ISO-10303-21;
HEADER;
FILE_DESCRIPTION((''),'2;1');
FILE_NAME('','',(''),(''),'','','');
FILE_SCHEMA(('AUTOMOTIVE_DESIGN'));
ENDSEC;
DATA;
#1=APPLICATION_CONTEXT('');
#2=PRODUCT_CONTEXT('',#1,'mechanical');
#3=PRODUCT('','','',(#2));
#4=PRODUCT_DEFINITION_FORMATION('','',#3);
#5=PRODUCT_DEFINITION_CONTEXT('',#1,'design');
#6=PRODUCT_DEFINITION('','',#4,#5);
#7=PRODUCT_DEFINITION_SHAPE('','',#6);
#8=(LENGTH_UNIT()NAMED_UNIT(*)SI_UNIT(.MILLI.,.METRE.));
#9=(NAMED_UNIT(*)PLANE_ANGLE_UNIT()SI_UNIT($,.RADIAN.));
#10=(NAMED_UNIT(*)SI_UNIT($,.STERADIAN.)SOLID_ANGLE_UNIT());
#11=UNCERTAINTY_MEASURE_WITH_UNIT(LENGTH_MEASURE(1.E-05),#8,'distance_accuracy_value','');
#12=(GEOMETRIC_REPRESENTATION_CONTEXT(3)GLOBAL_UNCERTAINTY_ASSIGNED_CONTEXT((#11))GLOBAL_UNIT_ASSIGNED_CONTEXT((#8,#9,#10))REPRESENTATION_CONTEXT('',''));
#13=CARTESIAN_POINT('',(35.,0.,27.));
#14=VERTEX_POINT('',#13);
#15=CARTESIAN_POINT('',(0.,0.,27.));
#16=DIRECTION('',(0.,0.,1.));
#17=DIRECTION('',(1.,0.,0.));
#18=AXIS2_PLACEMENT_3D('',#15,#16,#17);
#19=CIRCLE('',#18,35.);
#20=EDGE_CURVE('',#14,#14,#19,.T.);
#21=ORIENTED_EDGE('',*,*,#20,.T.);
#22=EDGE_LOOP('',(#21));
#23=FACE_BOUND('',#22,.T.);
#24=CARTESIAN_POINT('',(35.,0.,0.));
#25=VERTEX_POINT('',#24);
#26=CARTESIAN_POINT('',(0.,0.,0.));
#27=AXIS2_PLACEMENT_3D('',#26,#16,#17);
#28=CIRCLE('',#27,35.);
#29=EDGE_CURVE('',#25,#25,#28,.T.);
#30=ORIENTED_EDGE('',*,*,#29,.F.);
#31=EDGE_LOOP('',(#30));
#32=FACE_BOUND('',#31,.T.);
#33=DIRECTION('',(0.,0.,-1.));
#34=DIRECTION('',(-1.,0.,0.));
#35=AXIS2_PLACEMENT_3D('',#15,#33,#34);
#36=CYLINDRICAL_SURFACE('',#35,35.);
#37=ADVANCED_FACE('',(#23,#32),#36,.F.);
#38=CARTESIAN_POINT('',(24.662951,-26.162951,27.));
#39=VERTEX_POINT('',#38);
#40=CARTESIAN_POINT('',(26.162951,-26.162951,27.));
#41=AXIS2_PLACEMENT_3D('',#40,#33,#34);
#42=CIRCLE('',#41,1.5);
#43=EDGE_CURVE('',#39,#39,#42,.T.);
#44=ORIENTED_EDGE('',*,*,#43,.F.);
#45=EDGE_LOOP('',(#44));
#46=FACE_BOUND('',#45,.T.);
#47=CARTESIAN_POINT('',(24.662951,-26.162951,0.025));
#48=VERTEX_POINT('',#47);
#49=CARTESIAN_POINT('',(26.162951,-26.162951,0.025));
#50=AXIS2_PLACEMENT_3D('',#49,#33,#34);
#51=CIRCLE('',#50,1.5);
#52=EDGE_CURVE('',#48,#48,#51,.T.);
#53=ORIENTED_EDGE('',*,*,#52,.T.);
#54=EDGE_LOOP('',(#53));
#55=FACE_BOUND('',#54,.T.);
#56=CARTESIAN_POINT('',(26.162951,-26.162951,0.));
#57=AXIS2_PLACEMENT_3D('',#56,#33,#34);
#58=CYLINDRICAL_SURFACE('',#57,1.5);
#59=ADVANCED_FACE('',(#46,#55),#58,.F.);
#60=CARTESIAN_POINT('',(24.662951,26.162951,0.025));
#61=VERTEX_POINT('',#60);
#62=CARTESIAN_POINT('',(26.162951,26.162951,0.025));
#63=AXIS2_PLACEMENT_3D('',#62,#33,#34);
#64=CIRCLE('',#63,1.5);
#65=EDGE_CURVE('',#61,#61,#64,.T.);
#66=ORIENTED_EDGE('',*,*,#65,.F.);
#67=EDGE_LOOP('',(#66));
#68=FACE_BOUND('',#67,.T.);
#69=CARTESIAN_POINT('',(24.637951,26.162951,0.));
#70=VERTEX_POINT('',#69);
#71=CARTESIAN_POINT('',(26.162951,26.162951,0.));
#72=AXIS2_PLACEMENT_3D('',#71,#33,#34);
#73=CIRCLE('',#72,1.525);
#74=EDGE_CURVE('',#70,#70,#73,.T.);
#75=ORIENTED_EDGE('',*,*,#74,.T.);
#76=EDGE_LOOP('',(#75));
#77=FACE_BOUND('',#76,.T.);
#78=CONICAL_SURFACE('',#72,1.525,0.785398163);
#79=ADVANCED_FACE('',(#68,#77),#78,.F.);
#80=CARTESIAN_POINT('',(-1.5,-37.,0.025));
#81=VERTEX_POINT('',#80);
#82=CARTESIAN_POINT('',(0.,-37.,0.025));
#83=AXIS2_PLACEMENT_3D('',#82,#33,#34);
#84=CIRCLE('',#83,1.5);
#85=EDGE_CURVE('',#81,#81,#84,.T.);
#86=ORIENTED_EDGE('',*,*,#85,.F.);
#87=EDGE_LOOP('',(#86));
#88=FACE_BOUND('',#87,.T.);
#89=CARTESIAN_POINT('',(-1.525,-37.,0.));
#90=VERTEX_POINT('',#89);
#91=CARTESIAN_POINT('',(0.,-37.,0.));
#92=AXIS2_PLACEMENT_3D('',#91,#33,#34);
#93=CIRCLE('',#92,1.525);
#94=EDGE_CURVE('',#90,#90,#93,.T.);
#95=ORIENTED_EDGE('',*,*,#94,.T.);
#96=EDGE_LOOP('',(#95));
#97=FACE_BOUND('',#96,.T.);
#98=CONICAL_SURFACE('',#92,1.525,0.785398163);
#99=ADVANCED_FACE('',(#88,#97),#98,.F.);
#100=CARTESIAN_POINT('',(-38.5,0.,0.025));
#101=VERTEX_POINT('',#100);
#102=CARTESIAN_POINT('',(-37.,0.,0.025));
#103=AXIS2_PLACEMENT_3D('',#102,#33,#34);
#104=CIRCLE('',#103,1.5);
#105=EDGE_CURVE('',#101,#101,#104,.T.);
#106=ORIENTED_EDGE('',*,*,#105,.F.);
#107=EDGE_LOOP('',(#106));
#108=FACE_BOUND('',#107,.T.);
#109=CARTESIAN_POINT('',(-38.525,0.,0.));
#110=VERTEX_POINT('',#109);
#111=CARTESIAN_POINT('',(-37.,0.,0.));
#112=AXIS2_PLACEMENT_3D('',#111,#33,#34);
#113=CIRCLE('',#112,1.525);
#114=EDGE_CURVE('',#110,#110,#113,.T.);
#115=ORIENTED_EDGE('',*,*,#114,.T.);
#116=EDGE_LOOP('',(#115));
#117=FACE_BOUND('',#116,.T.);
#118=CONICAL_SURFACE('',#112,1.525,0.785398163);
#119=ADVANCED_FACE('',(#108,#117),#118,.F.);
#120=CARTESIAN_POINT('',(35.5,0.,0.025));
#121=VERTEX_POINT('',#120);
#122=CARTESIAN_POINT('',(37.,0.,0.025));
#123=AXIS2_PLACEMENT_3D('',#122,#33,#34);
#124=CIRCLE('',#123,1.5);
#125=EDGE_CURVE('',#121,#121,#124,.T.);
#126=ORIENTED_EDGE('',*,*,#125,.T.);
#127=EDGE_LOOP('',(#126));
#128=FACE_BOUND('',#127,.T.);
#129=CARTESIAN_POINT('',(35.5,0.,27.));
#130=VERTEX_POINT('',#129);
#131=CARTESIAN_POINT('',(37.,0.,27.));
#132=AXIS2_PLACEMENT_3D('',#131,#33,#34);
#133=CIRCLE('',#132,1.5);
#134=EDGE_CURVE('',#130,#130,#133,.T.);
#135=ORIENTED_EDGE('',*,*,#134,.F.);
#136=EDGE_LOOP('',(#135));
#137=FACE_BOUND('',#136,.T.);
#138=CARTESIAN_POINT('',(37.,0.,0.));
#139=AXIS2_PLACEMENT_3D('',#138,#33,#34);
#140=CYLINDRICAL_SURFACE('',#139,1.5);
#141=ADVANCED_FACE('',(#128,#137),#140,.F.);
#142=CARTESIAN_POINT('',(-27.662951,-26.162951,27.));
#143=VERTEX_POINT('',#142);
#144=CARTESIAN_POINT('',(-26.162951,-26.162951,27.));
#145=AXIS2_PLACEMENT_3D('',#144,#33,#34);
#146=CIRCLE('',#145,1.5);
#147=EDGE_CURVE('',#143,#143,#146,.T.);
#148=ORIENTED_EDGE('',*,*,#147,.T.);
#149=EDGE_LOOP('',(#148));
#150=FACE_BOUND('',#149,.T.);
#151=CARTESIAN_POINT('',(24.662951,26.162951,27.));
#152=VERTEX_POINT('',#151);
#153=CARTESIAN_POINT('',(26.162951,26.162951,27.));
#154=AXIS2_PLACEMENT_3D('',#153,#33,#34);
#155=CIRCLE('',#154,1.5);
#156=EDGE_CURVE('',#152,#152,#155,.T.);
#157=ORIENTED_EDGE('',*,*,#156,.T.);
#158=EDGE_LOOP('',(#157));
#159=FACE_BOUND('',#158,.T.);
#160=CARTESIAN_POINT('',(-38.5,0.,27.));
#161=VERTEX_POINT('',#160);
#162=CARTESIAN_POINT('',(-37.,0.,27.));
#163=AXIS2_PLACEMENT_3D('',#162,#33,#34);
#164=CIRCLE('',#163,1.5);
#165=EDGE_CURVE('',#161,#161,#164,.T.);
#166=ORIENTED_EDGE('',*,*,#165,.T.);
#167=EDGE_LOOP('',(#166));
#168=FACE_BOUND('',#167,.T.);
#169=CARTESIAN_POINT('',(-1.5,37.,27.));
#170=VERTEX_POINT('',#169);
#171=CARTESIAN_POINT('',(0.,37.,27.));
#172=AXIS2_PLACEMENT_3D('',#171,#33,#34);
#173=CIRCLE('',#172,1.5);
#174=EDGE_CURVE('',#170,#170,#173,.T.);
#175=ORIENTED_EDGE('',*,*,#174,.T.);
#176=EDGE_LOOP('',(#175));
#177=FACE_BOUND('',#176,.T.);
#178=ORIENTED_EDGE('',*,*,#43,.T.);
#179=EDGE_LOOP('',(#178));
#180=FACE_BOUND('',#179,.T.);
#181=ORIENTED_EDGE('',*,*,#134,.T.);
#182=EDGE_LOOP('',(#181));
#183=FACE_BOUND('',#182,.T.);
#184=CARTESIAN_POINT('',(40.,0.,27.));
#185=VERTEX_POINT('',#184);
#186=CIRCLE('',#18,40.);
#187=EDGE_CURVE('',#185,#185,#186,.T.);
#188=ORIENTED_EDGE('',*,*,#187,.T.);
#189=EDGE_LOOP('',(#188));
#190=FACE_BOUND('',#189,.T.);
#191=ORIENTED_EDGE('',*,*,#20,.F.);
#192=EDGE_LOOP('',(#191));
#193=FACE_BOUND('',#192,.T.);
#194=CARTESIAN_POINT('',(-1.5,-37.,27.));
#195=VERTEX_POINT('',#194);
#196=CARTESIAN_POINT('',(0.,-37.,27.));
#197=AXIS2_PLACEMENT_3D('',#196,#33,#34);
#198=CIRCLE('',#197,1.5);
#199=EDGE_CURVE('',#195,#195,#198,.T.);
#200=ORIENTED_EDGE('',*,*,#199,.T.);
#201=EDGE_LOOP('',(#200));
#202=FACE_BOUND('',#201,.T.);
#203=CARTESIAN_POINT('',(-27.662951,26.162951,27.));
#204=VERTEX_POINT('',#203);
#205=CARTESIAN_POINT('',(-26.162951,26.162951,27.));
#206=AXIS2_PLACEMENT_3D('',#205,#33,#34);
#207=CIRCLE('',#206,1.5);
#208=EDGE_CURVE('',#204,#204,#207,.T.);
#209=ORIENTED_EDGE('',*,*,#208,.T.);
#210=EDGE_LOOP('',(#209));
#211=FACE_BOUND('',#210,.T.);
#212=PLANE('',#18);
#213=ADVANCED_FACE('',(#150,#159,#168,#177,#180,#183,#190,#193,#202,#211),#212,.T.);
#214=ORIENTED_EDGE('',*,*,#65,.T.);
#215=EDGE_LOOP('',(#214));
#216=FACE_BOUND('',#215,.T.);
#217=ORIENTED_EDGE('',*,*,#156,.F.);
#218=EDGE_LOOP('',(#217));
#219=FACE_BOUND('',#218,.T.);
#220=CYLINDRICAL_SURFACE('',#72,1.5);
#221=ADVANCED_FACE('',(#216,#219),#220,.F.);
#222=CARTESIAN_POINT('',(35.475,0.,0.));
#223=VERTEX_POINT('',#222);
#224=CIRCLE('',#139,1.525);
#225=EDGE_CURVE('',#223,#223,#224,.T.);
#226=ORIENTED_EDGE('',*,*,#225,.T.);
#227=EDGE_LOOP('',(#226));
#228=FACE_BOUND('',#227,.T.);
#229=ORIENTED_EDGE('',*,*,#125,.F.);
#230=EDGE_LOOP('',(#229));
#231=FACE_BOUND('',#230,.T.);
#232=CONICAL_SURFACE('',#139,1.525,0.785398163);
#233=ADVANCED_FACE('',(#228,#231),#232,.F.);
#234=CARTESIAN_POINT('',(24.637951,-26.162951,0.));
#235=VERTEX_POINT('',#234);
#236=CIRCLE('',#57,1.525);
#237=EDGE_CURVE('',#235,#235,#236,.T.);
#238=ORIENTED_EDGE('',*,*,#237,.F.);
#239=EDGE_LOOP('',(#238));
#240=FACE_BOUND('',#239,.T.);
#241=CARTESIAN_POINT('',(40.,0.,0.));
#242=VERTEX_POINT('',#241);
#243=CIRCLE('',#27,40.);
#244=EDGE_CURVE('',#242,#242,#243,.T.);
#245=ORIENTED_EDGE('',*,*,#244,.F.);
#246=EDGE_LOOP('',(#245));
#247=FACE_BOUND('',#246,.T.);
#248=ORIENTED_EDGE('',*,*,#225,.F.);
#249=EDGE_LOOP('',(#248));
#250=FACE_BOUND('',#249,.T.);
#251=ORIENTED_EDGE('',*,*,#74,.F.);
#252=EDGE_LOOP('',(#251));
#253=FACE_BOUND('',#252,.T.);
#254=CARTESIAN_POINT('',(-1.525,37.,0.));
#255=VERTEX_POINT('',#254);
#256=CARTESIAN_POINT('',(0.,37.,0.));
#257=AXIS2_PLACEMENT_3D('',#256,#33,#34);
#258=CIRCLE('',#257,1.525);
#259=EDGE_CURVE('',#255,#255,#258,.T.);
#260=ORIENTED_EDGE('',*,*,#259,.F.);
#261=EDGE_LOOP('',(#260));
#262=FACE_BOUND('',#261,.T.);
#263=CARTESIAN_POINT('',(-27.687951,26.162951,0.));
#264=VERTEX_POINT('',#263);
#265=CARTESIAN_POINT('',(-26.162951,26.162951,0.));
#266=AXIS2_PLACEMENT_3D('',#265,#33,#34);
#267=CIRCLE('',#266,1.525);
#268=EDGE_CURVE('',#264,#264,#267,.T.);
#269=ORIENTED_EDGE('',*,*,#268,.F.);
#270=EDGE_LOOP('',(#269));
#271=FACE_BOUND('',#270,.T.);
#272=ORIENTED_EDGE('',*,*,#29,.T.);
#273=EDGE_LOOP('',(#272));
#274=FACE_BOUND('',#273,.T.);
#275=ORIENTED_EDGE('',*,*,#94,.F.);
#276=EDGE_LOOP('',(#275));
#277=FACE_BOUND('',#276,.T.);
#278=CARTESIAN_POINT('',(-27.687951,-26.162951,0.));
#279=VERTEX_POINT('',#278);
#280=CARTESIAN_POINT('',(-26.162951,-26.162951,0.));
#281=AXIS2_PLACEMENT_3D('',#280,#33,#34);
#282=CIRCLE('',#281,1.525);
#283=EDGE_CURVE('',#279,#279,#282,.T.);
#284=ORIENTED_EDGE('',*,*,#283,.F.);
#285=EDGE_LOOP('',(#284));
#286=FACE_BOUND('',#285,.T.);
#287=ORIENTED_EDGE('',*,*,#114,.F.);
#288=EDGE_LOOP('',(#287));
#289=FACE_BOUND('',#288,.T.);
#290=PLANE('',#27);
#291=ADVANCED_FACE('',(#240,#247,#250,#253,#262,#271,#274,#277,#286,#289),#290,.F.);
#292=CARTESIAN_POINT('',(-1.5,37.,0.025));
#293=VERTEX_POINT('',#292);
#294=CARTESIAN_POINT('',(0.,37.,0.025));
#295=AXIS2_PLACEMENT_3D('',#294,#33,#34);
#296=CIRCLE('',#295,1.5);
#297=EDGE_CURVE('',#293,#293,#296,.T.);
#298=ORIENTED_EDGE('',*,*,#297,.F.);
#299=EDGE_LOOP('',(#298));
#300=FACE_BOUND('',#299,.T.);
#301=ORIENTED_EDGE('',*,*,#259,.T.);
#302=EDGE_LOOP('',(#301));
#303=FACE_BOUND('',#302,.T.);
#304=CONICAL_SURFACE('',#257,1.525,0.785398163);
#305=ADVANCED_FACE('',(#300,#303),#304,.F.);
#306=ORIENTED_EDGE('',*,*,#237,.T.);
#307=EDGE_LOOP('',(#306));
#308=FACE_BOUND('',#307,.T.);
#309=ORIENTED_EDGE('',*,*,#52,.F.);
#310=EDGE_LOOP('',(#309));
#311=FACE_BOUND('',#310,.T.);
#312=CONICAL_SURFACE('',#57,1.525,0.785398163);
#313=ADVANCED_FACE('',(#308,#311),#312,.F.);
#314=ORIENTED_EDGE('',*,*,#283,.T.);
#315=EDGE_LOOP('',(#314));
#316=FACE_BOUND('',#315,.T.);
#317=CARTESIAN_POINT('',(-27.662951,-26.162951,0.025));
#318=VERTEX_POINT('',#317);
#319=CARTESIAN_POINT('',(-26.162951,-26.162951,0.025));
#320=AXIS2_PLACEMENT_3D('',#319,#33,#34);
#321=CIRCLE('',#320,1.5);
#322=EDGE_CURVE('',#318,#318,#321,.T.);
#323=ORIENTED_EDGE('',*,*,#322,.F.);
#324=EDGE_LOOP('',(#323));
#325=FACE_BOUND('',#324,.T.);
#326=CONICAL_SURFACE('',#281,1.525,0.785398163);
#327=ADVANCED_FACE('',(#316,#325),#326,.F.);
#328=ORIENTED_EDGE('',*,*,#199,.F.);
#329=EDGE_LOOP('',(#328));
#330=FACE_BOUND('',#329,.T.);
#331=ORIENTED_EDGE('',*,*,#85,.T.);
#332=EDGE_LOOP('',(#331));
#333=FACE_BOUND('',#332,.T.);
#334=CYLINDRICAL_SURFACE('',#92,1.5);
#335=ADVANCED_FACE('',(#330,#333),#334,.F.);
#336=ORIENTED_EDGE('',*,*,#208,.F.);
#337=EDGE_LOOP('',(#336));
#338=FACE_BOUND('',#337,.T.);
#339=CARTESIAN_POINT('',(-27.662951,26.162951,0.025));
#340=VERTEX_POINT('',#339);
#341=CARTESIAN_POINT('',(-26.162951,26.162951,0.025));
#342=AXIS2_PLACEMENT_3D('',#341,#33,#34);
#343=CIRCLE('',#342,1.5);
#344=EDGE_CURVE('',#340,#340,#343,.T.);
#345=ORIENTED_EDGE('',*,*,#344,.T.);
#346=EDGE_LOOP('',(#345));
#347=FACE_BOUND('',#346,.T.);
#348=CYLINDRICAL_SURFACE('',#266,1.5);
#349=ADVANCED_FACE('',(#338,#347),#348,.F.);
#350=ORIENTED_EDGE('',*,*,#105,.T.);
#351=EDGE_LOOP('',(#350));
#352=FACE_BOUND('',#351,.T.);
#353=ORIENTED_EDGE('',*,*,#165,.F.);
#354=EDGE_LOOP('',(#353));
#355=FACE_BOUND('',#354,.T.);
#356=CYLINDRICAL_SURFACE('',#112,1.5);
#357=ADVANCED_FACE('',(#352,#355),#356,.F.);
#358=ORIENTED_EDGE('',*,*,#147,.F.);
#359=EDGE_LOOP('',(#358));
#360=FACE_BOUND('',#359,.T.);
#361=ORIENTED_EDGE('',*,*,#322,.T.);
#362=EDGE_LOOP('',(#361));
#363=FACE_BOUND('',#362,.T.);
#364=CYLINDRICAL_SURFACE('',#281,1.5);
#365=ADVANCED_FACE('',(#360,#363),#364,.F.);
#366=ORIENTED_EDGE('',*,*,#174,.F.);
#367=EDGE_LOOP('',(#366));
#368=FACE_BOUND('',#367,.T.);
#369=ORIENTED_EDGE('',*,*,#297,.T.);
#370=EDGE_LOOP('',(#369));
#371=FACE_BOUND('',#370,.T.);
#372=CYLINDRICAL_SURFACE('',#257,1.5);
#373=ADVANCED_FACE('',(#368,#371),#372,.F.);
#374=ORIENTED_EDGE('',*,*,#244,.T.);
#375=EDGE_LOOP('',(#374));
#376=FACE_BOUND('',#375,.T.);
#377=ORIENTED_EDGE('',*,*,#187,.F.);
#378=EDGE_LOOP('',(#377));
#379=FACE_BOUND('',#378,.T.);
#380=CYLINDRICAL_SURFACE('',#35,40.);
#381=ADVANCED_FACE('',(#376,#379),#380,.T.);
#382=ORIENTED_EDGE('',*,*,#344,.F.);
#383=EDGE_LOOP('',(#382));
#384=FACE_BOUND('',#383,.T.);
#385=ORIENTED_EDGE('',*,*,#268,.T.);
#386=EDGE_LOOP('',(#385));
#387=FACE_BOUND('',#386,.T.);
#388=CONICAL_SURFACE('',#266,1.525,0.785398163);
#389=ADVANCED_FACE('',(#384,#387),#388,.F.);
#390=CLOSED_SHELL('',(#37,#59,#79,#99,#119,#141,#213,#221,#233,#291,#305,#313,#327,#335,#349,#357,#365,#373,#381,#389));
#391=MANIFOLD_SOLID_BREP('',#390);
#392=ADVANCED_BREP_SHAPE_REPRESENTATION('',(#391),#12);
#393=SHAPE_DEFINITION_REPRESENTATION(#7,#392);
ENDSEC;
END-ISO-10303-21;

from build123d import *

# Parameters (mm, degrees)
SKETCH1_R                       = 40
SKETCH1_R_2                     = 35
BOSS_EXTRUDE1_DEPTH             = 27
F_3_0MM_DOWEL_HOLE1_D           = 3
F_3_0MM_DOWEL_HOLE1_CSINK_D     = 3.05
F_3_0MM_DOWEL_HOLE1_CSINK_ANGLE = 90


with BuildPart() as part:
    # Sketch1 → Boss-Extrude1 (new body)
    with BuildSketch(Plane.XY):
        Circle(SKETCH1_R)
        Circle(SKETCH1_R_2, mode=Mode.SUBTRACT)
    extrude(amount=BOSS_EXTRUDE1_DEPTH)

    # Ø3.0mm Dowel Hole1 (through all)
    with Locations(Plane(origin=(0, 0, 0), x_dir=(-1, 0, 0), z_dir=(0, 0, -1))):
        with Locations((0, 37), (26.162950904, 26.162950904), (37, 0), (-26.162950904, 26.162950904), (-37, 0), (-26.162950904, -26.162950904), (0, -37), (26.162950904, -26.162950904)):
            CounterSinkHole(F_3_0MM_DOWEL_HOLE1_D / 2, F_3_0MM_DOWEL_HOLE1_CSINK_D / 2, counter_sink_angle=F_3_0MM_DOWEL_HOLE1_CSINK_ANGLE)


solid = part.part
